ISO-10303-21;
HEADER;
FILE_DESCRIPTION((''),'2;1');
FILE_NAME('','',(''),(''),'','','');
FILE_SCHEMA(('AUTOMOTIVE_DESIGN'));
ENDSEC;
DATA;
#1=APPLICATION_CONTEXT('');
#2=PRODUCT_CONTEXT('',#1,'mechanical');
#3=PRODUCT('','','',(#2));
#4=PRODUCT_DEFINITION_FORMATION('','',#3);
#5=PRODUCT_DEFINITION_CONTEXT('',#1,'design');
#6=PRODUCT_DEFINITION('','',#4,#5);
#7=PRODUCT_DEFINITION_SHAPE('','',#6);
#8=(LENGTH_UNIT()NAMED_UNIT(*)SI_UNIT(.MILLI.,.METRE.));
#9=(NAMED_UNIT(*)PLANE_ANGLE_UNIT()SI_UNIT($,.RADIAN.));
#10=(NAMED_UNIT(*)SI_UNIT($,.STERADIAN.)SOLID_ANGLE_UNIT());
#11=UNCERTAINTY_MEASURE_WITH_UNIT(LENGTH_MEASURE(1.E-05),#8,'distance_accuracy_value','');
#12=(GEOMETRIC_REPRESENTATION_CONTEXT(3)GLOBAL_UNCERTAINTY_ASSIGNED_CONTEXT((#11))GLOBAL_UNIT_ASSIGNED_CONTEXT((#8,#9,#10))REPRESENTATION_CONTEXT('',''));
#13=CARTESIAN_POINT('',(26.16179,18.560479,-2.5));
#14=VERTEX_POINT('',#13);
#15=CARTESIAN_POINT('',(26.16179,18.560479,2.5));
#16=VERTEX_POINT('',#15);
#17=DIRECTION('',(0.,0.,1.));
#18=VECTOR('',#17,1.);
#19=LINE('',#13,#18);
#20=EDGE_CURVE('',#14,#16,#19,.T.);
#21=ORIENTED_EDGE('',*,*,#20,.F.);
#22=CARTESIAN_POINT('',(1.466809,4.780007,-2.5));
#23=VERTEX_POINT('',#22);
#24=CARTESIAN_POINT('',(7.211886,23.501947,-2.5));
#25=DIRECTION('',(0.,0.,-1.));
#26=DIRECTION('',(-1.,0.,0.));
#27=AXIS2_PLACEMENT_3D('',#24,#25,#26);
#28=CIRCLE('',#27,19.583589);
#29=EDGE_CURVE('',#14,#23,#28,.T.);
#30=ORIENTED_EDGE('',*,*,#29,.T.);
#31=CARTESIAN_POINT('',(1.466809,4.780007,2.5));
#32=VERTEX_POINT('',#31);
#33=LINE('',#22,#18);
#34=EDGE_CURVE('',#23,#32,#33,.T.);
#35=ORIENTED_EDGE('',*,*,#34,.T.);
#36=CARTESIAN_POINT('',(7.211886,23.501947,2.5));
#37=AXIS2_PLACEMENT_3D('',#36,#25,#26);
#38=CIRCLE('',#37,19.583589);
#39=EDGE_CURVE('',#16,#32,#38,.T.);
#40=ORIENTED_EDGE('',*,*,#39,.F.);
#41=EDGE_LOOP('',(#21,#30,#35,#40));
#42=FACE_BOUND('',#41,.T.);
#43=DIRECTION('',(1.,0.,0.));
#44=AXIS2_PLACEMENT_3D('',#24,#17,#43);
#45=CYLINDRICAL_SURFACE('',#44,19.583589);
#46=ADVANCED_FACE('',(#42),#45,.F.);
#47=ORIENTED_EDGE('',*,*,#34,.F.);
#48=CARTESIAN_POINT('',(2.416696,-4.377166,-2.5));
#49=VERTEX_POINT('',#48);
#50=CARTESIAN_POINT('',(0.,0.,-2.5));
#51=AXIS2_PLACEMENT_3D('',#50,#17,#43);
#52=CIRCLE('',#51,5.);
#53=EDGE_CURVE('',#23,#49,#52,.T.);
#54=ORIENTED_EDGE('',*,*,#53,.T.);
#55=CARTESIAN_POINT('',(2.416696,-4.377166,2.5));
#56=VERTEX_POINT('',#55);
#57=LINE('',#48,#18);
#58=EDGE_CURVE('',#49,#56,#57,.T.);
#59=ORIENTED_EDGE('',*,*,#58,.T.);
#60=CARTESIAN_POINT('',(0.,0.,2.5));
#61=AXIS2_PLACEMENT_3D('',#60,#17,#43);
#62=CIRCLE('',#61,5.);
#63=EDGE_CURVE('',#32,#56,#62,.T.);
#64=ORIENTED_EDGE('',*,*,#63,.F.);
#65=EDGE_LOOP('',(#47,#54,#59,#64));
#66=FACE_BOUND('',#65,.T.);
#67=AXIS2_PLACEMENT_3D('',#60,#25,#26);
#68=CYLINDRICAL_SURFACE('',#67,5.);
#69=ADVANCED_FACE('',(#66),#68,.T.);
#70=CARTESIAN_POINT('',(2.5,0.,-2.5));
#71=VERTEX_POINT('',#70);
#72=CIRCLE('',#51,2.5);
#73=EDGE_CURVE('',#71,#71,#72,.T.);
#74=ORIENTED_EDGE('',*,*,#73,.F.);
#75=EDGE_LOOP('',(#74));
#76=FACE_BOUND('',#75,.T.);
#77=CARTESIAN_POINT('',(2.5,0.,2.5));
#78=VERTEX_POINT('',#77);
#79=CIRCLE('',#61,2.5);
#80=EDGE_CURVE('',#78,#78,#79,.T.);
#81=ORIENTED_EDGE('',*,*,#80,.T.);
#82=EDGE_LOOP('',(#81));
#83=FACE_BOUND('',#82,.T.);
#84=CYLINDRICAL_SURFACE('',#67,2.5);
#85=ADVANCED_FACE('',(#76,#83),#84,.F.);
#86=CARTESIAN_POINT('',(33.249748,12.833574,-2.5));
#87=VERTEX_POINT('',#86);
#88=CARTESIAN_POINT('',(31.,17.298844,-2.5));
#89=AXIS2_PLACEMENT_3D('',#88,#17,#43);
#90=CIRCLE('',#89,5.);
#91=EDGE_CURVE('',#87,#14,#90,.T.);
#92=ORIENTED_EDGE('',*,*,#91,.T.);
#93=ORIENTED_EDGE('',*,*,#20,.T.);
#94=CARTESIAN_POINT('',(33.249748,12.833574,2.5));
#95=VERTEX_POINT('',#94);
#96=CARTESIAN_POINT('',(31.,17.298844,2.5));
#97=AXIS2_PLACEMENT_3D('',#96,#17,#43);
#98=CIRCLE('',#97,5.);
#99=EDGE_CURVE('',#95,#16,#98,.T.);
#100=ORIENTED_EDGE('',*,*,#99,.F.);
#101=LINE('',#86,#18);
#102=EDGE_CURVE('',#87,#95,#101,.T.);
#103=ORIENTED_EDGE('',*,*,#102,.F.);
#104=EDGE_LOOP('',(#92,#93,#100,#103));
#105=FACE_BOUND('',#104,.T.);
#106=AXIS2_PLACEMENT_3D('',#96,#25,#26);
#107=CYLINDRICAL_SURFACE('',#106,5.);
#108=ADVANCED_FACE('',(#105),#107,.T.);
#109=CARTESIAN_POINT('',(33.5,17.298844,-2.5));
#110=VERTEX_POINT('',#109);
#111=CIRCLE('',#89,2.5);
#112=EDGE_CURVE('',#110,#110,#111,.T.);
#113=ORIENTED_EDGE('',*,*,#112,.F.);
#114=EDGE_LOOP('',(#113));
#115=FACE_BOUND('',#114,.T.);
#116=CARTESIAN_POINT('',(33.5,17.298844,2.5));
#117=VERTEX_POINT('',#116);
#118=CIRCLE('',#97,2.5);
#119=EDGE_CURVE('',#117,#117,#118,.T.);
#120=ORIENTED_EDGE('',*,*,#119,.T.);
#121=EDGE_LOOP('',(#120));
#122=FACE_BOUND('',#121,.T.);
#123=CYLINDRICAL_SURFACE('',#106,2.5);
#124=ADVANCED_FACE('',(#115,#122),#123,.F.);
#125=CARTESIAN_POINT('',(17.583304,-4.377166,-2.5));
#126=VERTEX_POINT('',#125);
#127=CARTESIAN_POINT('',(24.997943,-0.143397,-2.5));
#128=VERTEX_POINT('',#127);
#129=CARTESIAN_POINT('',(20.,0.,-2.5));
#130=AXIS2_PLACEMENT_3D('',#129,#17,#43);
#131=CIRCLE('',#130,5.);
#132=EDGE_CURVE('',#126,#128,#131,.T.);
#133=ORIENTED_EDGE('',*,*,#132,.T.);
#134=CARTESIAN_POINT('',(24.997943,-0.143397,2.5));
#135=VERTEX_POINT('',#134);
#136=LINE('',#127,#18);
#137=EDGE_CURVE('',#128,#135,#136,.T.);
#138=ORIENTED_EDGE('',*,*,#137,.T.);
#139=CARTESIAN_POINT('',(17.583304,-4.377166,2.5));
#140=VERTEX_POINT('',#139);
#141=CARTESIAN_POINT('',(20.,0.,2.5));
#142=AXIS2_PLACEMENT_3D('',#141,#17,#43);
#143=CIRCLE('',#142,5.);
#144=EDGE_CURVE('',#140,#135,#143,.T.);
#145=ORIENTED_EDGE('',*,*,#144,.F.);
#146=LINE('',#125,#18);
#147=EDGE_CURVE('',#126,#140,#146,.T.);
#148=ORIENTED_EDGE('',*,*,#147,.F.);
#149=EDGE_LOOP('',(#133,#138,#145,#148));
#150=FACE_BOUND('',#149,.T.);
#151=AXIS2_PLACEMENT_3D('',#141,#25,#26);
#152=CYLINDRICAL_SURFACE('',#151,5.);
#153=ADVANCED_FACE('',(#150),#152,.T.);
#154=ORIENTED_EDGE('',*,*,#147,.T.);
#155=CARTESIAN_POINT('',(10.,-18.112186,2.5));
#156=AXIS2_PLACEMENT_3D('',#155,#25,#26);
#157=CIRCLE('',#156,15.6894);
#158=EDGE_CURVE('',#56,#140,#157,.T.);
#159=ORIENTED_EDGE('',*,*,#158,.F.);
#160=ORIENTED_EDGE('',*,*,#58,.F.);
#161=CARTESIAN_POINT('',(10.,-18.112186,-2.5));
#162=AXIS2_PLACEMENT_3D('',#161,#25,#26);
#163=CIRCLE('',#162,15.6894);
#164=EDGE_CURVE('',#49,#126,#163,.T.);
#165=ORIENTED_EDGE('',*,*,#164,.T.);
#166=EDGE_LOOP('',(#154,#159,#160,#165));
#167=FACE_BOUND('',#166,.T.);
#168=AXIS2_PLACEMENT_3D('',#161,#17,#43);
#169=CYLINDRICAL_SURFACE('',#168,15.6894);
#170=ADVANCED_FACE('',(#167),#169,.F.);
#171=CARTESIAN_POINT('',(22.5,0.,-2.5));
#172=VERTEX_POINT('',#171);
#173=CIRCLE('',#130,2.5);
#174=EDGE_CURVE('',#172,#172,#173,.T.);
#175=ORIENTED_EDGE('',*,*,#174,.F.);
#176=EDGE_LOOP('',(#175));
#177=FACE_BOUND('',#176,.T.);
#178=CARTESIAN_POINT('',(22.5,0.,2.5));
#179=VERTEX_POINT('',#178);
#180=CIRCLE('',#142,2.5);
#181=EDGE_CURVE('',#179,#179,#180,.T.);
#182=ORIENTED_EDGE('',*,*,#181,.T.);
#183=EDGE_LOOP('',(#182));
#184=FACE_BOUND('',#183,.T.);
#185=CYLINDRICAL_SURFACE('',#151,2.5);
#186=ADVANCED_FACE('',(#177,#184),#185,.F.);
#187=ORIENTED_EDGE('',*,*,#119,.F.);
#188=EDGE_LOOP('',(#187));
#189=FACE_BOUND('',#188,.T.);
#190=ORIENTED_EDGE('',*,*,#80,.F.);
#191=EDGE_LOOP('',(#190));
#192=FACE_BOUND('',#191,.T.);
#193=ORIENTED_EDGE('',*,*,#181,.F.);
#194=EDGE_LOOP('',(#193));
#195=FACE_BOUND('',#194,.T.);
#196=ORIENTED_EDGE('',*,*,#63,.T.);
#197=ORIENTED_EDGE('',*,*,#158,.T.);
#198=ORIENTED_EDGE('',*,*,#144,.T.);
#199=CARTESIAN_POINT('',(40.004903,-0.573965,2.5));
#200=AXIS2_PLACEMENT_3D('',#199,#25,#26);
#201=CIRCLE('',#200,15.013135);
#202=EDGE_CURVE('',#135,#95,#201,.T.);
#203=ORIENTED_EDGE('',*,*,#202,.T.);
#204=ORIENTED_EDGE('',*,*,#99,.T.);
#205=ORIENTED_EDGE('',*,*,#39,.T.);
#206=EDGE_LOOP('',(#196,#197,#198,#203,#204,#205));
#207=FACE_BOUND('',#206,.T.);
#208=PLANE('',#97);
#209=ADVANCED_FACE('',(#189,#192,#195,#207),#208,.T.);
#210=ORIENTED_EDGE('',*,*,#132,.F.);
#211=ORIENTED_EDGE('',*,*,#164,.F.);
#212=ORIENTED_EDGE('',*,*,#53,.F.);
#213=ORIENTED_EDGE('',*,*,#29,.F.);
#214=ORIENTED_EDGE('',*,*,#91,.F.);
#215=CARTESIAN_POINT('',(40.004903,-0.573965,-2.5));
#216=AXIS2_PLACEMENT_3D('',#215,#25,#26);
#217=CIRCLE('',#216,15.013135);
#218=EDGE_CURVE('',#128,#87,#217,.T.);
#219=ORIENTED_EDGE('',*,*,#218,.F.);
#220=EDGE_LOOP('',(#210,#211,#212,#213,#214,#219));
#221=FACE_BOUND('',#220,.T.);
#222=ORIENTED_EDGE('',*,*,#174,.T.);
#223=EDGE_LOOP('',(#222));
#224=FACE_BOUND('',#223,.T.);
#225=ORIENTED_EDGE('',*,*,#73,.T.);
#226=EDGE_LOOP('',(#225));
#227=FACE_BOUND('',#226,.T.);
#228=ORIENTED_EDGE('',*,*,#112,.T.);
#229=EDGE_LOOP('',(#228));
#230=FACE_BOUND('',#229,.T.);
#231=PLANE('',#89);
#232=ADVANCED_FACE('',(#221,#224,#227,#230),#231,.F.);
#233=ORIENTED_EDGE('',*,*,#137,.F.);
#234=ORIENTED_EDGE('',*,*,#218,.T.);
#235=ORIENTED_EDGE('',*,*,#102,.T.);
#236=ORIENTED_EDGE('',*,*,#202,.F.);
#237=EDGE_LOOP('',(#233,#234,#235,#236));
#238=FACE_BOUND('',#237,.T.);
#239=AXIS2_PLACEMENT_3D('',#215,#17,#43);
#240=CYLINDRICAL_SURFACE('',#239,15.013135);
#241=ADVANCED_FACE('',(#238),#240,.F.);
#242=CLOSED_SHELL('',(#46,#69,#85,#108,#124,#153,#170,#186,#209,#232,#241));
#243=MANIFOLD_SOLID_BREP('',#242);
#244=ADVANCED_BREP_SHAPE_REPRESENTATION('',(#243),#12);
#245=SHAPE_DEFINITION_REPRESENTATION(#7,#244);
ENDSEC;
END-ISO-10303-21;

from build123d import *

# Parameters (mm, degrees)
SKETCH_1_R          = 2.5
EXTRUDE_1_DEPTH     = 2.5
SKETCH_2_OUTSIDE_W  = 52.902
SKETCH_2_OUTSIDE_H  = 39.201
CUT_EXTRUDE_1_DEPTH = 5


with BuildPart() as part:
    # 草圖1 → 填料-伸長1 (new body, symmetric)
    with BuildSketch(Plane.XY):
        with BuildLine():
            Line((28.563543114, 21.665041075), (-2.436456886, 4.366197183))
            ThreePointArc((-2.436456886, 4.366197183), (-4.838955771, -1.258772037), (0, -5))
            Line((0, -5), (20, -5))
            ThreePointArc((20, -5), (22.406799312, -4.382615323), (24.219230218, -2.682926829))
            Line((24.219230218, -2.682926829), (35.219230218, 14.615917063))
            ThreePointArc((35.219230218, 14.615917063), (34.635534008, 20.7314657), (28.563543114, 21.665041075))
        make_face()
        Circle(SKETCH_1_R, mode=Mode.SUBTRACT)
        with Locations((20, 0)):
            Circle(SKETCH_1_R, mode=Mode.SUBTRACT)
        with Locations((31, 17.298843892)):
            Circle(SKETCH_1_R, mode=Mode.SUBTRACT)
    extrude(amount=EXTRUDE_1_DEPTH, both=True)

    # 草圖2 outside → 除料-伸長1 (cut)
    with BuildSketch(Plane.XY.offset(2.5)):
        with Locations((15.5, 8.6495)):
            Rectangle(SKETCH_2_OUTSIDE_W, SKETCH_2_OUTSIDE_H)
        with BuildLine():
            ThreePointArc((1.466809122, 4.780007427), (-4.973314603, -0.515889385), (2.416696414, -4.377165572))
            ThreePointArc((2.416696414, -4.377165572), (10, -2.422785813), (17.583303586, -4.377165572))
            ThreePointArc((17.583303586, -4.377165572), (22.479295807, -4.342014774), (24.997943304, -0.143397121))
            ThreePointArc((24.997943304, -0.143397121), (27.336128289, 7.481863506), (33.249748223, 12.833574255))
            ThreePointArc((33.249748223, 12.833574255), (34.142354704, 21.188009216), (26.161789901, 18.560478956))
            ThreePointArc((26.161789901, 18.560478956), (16.754800429, 6.400785359), (1.466809122, 4.780007427))
        make_face(mode=Mode.SUBTRACT)
    extrude(amount=-CUT_EXTRUDE_1_DEPTH, mode=Mode.SUBTRACT)


solid = part.part
